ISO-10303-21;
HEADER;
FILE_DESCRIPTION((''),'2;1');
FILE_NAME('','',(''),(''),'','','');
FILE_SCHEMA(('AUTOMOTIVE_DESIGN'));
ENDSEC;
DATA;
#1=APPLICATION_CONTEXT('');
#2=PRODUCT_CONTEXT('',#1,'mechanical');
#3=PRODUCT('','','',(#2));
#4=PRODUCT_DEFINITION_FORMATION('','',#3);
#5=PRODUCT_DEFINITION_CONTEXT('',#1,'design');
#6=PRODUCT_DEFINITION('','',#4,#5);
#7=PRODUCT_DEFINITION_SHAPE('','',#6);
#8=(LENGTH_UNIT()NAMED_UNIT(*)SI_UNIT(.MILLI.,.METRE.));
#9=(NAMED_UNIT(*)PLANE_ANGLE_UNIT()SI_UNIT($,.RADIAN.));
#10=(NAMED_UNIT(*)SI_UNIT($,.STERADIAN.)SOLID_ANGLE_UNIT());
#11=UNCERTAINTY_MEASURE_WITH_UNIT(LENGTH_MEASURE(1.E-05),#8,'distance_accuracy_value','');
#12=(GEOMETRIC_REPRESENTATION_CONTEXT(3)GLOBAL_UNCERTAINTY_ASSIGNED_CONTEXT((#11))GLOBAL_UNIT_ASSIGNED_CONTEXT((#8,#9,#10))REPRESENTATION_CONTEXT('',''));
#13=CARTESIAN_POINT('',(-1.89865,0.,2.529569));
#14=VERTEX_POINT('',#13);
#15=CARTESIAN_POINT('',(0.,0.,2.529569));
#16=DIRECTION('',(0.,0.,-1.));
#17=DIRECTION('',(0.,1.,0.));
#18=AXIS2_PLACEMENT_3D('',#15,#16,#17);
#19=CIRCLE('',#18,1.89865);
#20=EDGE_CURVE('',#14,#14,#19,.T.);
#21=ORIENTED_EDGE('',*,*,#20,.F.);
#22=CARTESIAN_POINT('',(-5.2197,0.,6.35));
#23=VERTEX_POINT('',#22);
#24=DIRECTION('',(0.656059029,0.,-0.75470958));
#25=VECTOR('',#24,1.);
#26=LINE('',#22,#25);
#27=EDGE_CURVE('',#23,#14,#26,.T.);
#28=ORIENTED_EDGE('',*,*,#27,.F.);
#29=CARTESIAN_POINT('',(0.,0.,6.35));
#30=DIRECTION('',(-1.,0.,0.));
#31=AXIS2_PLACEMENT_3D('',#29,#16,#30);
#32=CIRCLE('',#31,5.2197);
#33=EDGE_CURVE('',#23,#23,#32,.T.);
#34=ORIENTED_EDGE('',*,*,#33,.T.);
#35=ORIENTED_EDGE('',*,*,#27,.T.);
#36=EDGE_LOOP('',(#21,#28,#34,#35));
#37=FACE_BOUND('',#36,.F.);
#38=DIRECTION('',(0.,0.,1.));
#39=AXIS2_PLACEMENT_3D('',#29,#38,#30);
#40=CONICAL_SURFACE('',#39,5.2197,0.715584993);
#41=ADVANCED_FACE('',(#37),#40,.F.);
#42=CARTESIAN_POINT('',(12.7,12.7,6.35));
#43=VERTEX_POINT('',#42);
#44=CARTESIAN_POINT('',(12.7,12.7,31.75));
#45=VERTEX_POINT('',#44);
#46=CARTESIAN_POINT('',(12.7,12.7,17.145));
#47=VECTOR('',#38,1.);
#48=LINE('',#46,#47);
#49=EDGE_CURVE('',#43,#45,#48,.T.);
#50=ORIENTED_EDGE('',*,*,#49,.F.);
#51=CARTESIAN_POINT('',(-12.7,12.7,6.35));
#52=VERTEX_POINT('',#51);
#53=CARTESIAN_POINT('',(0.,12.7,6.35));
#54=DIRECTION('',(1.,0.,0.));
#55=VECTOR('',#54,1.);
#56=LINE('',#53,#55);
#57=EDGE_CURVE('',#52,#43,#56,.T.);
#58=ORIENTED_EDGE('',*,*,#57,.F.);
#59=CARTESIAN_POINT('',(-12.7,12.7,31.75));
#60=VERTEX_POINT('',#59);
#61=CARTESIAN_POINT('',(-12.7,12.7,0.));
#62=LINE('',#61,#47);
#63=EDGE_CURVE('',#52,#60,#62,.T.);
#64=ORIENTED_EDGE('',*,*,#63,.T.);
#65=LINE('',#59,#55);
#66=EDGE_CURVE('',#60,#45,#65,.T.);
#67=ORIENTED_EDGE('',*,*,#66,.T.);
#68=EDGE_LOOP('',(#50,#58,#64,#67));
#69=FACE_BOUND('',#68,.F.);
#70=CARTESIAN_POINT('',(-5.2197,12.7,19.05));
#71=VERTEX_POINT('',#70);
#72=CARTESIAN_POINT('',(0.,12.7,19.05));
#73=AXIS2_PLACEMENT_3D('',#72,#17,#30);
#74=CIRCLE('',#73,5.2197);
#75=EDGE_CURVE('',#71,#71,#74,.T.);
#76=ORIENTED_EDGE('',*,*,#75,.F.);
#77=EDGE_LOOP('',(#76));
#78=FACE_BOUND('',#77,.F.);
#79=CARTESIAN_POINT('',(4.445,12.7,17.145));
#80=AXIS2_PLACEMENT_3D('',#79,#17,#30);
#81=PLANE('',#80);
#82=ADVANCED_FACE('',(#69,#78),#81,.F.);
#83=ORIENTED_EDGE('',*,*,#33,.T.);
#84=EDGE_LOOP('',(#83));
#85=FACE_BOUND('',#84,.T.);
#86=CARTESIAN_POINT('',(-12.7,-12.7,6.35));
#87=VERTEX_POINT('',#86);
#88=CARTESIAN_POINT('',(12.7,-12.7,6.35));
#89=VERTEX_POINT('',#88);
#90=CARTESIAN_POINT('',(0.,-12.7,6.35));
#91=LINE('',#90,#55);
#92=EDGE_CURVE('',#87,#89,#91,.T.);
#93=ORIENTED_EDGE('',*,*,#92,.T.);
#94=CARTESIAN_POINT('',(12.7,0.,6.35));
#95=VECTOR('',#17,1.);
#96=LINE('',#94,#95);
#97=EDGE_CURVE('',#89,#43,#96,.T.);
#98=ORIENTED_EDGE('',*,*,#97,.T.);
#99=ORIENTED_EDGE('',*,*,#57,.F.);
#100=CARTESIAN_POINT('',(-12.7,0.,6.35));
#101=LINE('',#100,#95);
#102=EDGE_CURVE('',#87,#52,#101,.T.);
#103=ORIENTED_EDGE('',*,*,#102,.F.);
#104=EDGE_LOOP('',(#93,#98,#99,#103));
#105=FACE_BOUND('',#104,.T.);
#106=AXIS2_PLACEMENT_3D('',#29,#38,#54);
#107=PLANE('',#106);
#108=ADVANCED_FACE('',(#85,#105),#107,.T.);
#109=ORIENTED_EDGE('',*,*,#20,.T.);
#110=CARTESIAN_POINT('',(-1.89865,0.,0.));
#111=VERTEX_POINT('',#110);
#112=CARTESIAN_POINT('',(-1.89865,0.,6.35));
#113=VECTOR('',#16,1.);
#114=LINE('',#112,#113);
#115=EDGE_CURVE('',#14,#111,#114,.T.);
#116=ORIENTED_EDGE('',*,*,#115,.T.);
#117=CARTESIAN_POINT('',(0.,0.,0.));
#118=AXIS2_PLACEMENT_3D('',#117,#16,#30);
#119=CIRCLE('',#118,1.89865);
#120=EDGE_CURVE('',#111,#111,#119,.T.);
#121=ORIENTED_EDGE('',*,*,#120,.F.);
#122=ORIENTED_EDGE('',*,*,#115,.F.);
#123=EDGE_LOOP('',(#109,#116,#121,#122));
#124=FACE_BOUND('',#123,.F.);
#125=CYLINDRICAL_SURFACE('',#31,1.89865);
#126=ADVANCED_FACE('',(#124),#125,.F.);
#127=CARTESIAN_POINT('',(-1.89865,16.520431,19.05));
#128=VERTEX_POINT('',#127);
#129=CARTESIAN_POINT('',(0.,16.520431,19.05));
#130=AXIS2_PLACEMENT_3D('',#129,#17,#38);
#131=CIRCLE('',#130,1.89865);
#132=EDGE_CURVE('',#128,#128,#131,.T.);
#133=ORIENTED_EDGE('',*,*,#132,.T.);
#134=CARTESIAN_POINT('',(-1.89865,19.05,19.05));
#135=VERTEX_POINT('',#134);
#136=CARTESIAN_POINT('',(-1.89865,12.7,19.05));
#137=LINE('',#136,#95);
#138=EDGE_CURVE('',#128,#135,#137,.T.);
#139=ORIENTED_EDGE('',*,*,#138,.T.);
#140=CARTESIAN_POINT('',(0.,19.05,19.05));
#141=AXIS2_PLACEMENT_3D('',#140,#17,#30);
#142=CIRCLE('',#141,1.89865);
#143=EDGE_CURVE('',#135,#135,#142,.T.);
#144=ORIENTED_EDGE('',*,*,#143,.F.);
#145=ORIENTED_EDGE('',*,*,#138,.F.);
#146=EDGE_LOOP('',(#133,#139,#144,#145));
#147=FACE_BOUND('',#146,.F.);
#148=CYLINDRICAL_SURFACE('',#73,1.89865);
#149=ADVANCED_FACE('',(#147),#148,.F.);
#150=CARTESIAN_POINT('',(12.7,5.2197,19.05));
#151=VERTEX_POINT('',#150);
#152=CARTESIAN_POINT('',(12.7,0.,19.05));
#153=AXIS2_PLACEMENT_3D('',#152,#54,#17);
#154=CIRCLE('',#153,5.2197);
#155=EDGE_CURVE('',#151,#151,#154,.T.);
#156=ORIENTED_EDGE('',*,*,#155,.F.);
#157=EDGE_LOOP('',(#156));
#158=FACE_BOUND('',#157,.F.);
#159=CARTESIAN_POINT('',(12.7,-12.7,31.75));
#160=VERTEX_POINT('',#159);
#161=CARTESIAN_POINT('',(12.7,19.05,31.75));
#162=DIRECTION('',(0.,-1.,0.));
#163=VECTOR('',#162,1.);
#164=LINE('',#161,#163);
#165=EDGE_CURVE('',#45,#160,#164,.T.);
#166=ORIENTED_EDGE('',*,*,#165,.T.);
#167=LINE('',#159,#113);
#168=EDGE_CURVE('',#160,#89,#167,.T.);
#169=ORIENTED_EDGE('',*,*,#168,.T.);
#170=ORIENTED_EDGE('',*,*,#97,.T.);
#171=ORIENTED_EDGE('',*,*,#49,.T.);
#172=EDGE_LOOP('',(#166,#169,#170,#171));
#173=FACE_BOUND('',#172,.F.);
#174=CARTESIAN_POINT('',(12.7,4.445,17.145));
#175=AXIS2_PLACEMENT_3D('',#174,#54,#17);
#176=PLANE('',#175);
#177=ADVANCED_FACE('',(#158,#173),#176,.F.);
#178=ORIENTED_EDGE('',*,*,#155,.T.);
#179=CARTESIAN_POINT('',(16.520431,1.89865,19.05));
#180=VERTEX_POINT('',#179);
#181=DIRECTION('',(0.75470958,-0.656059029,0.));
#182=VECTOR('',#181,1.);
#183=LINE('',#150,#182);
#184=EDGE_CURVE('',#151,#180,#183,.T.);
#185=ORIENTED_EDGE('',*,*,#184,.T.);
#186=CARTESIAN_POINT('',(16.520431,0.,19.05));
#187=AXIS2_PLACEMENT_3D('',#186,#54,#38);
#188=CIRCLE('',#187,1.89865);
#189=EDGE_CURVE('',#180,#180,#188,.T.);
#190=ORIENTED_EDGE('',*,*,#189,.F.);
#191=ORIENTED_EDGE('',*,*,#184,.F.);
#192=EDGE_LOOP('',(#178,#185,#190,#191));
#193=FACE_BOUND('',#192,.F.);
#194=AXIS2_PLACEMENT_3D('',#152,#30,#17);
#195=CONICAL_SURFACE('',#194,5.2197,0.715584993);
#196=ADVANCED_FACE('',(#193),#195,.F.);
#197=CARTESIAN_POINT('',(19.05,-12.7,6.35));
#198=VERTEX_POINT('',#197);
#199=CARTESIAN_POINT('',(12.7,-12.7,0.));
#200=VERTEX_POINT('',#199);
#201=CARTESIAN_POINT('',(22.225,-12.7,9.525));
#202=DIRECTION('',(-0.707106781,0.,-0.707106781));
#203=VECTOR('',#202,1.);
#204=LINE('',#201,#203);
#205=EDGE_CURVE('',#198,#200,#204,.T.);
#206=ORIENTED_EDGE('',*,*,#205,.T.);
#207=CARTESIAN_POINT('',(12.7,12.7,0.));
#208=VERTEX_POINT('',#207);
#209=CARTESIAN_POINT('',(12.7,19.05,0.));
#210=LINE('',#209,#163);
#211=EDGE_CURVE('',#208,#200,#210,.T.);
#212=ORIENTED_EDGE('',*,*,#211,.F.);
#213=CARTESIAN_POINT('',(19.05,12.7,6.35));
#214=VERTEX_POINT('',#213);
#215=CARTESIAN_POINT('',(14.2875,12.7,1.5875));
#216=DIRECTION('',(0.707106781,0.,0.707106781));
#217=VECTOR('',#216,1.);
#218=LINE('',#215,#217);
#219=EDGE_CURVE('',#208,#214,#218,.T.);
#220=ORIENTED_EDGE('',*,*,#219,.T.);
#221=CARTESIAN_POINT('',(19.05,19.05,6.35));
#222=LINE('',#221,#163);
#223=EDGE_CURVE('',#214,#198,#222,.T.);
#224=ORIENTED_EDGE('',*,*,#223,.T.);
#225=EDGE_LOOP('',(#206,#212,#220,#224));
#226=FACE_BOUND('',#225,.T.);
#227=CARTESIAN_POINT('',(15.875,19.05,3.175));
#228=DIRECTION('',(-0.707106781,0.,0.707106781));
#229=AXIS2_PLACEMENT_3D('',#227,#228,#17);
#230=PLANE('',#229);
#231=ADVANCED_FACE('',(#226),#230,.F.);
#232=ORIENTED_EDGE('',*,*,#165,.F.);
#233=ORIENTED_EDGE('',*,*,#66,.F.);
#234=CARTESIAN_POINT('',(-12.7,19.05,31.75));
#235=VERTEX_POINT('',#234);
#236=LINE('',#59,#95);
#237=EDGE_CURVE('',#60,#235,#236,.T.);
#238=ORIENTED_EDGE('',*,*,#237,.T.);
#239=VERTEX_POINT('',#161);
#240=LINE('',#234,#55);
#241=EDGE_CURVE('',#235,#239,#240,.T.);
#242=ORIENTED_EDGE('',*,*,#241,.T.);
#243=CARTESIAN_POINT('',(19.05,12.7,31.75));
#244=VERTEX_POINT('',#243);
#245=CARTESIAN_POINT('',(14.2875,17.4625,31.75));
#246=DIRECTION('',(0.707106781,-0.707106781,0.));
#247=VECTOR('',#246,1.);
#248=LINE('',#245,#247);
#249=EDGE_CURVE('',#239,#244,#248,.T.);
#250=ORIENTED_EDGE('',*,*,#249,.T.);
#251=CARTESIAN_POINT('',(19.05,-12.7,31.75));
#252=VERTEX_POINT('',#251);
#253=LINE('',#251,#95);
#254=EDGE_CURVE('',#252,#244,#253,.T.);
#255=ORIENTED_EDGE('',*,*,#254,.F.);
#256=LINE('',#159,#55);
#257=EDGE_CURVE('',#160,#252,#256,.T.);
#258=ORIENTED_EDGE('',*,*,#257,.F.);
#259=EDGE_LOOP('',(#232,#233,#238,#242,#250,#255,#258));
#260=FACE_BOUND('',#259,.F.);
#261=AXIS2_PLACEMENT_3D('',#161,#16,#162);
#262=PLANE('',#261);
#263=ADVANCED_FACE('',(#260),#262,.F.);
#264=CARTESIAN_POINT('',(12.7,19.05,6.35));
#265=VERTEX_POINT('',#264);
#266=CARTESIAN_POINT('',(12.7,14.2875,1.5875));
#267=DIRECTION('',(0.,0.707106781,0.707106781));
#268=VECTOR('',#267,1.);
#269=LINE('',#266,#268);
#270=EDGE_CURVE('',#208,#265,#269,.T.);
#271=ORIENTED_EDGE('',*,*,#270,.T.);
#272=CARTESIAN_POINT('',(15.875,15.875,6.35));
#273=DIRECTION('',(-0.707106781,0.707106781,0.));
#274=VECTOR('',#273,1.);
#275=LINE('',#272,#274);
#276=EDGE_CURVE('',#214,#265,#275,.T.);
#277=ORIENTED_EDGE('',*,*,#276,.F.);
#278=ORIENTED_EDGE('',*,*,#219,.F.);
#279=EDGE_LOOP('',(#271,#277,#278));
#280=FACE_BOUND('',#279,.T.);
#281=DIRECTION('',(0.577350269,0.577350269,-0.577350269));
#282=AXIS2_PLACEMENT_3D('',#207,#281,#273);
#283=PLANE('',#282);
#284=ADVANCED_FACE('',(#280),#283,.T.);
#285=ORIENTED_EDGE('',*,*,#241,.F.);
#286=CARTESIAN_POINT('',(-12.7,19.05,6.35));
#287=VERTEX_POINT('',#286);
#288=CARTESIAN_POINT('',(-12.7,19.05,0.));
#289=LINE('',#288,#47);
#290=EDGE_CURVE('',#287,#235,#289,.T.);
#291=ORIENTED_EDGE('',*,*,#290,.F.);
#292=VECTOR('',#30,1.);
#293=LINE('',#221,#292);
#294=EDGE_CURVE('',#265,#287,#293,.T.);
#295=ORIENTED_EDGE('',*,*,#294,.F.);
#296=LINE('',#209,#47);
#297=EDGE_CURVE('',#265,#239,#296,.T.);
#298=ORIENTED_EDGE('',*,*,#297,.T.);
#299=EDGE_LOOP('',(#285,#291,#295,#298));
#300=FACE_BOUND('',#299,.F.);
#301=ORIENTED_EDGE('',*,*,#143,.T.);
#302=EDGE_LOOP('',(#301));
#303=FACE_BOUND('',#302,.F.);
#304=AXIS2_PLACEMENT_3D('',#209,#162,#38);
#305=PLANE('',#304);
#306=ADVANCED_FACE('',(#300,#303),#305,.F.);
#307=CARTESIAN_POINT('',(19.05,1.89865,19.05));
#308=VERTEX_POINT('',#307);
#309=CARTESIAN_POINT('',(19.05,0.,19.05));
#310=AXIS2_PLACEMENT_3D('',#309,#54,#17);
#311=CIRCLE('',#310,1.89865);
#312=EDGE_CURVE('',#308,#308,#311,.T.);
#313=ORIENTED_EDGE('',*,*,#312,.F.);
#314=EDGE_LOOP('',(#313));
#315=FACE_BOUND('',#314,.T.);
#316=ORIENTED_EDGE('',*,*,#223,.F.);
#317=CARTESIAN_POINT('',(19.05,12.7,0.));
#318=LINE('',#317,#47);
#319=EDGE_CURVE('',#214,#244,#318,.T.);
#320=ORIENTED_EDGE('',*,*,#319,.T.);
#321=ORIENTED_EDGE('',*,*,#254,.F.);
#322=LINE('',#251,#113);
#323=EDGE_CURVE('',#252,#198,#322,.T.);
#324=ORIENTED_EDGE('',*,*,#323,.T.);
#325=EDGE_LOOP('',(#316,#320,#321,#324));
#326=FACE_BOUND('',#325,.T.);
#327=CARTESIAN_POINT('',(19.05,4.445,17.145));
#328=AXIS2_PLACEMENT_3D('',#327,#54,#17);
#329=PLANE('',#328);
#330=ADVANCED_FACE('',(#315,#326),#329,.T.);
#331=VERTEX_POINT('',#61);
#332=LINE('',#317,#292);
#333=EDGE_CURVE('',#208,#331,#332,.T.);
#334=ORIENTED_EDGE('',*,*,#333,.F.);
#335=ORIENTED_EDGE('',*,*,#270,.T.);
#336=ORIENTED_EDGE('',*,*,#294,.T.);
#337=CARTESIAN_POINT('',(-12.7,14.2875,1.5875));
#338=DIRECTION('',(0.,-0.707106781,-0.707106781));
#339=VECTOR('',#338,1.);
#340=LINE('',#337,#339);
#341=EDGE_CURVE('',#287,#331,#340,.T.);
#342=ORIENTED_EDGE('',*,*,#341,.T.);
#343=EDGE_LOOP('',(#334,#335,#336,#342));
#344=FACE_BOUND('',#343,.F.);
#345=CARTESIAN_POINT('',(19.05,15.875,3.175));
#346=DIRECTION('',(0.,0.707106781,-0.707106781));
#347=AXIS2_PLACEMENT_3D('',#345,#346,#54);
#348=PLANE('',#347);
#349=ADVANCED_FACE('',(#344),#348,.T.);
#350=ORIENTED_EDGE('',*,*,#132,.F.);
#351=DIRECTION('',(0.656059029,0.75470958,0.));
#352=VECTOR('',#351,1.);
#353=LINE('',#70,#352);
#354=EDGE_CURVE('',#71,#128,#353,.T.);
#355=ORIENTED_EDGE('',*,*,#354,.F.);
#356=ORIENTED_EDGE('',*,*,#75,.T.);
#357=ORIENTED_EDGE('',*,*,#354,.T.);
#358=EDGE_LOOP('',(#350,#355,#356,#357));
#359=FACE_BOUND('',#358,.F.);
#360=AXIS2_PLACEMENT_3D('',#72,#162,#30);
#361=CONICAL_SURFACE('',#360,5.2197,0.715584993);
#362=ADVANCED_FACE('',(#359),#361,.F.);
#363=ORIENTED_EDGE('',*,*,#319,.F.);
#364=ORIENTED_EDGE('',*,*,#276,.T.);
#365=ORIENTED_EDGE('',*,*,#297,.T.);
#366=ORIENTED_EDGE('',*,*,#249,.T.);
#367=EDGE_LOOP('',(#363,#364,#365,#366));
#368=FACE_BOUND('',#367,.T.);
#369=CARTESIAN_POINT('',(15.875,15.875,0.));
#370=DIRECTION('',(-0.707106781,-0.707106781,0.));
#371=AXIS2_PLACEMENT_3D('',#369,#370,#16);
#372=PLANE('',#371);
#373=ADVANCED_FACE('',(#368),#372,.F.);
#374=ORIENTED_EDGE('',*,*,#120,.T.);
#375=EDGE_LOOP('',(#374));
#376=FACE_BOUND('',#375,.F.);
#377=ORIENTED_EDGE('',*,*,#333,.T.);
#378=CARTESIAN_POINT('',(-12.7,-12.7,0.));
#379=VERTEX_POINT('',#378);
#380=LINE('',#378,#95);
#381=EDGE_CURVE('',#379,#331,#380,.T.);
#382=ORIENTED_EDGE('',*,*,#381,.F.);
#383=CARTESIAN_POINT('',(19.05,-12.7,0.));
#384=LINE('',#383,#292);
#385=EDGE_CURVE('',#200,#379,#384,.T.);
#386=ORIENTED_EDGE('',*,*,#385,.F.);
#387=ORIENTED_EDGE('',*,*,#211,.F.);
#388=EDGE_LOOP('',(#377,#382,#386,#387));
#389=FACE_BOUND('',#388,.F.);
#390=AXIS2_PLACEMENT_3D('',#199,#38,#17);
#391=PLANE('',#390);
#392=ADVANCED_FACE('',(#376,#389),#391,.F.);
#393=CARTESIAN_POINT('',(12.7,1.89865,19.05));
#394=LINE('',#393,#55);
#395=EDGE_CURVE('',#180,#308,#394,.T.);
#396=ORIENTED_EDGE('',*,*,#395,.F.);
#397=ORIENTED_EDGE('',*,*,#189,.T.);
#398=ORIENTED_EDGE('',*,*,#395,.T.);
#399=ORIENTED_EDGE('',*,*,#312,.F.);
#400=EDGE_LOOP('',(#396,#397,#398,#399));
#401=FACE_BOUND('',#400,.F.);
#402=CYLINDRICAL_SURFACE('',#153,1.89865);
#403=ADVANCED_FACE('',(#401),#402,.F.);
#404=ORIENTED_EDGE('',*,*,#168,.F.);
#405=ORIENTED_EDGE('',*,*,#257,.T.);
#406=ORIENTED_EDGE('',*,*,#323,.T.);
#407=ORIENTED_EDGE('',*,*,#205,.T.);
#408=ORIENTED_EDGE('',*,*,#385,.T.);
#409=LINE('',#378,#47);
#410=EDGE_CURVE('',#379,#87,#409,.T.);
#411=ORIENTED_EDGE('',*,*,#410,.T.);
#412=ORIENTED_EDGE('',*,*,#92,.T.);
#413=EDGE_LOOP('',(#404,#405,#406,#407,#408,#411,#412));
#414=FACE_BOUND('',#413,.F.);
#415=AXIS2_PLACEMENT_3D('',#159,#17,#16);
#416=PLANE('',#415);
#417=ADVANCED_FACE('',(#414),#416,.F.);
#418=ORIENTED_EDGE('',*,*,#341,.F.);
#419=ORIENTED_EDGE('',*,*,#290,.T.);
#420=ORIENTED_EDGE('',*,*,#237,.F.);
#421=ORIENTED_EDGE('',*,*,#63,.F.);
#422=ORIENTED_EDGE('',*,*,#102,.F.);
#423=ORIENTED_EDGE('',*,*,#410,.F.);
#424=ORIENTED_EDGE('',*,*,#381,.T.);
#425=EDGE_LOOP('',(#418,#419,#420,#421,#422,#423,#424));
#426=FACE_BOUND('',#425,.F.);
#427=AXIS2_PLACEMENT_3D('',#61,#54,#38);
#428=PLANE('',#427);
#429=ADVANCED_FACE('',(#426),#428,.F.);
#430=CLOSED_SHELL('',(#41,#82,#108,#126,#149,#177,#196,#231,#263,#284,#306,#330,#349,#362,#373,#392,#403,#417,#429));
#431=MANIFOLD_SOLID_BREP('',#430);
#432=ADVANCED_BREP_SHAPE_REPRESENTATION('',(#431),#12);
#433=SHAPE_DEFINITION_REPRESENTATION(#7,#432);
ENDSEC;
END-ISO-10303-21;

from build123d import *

# Parameters (mm, degrees)
F0_W                 = 25.4
F0_H                 = 25.4
F1_DEPTH             = 6.35
F2_W                 = 25.4
F2_H                 = 6.35
F3_DEPTH             = 6.35
F4_W                 = 25.4
F4_H                 = 6.35
F5_DEPTH             = 6.35
F9_D                 = 3.7973
F9_CSINK_D           = 10.4394
F9_CSINK_ANGLE       = 82
F9_ON_F6_D           = 3.7973
F9_ON_F6_CSINK_D     = 10.4394
F9_ON_F6_CSINK_ANGLE = 82
F9_ON_F8_D           = 3.7973
F9_ON_F8_CSINK_D     = 10.4394
F9_ON_F8_CSINK_ANGLE = 82
F10_SIZE             = 6.35


with BuildPart() as f1:
    # F0 (on Top) → F1 (new body)
    with BuildSketch(Plane.XY):
        Rectangle(F0_W, F0_H)
    extrude(amount=F1_DEPTH)

    # F2 (on face) → F3 (join)
    with BuildSketch(Plane.YZ.offset(12.7)):
        Polygon((12.7, 6.35), (12.7, 0), (19.05, 0), (19.05, 31.75), (-12.7, 31.75), (-12.7, 6.35), align=None)
        with Locations((0, 3.175)):
            Rectangle(F2_W, F2_H)
    extrude(amount=F3_DEPTH)

    # F4 (on face) → F5 (join)
    with BuildSketch(Plane(origin=(0, 12.7, 0), x_dir=(-1, 0, 0), z_dir=(0, 1, 0))):
        Polygon((-19.05, 0), (-12.7, 0), (-12.7, 6.35), (12.7, 6.35), (12.7, 31.75), (-19.05, 31.75), align=None)
        with Locations((0, 3.175)):
            Rectangle(F4_W, F4_H)
    extrude(amount=F5_DEPTH)

    # F9 (through all)
    with Locations(Plane(origin=(12.7, 0, 0), x_dir=(0, -1, 0), z_dir=(-1, 0, 0))):
        with Locations((0, 19.05)):
            CounterSinkHole(F9_D / 2, F9_CSINK_D / 2, counter_sink_angle=F9_CSINK_ANGLE)

    # F9 on F6 (through all)
    with Locations(Plane.XY.offset(6.35)):
        with Locations((0, 0)):
            CounterSinkHole(F9_ON_F6_D / 2, F9_ON_F6_CSINK_D / 2, counter_sink_angle=F9_ON_F6_CSINK_ANGLE)

    # F9 on F8 (through all)
    with Locations(Plane.XZ.offset(-12.7)):
        with Locations((0, 19.05)):
            CounterSinkHole(F9_ON_F8_D / 2, F9_ON_F8_CSINK_D / 2, counter_sink_angle=F9_ON_F8_CSINK_ANGLE)

    # F10
    f10_edges = [f1.edges().sort_by_distance(p)[0] for p in [
        (19.05, 19.05, 15.875),
        (19.05, 3.175, 0),
        (3.175, 19.05, 0),
    ]]
    chamfer(f10_edges, length=F10_SIZE)


solid = f1.part
